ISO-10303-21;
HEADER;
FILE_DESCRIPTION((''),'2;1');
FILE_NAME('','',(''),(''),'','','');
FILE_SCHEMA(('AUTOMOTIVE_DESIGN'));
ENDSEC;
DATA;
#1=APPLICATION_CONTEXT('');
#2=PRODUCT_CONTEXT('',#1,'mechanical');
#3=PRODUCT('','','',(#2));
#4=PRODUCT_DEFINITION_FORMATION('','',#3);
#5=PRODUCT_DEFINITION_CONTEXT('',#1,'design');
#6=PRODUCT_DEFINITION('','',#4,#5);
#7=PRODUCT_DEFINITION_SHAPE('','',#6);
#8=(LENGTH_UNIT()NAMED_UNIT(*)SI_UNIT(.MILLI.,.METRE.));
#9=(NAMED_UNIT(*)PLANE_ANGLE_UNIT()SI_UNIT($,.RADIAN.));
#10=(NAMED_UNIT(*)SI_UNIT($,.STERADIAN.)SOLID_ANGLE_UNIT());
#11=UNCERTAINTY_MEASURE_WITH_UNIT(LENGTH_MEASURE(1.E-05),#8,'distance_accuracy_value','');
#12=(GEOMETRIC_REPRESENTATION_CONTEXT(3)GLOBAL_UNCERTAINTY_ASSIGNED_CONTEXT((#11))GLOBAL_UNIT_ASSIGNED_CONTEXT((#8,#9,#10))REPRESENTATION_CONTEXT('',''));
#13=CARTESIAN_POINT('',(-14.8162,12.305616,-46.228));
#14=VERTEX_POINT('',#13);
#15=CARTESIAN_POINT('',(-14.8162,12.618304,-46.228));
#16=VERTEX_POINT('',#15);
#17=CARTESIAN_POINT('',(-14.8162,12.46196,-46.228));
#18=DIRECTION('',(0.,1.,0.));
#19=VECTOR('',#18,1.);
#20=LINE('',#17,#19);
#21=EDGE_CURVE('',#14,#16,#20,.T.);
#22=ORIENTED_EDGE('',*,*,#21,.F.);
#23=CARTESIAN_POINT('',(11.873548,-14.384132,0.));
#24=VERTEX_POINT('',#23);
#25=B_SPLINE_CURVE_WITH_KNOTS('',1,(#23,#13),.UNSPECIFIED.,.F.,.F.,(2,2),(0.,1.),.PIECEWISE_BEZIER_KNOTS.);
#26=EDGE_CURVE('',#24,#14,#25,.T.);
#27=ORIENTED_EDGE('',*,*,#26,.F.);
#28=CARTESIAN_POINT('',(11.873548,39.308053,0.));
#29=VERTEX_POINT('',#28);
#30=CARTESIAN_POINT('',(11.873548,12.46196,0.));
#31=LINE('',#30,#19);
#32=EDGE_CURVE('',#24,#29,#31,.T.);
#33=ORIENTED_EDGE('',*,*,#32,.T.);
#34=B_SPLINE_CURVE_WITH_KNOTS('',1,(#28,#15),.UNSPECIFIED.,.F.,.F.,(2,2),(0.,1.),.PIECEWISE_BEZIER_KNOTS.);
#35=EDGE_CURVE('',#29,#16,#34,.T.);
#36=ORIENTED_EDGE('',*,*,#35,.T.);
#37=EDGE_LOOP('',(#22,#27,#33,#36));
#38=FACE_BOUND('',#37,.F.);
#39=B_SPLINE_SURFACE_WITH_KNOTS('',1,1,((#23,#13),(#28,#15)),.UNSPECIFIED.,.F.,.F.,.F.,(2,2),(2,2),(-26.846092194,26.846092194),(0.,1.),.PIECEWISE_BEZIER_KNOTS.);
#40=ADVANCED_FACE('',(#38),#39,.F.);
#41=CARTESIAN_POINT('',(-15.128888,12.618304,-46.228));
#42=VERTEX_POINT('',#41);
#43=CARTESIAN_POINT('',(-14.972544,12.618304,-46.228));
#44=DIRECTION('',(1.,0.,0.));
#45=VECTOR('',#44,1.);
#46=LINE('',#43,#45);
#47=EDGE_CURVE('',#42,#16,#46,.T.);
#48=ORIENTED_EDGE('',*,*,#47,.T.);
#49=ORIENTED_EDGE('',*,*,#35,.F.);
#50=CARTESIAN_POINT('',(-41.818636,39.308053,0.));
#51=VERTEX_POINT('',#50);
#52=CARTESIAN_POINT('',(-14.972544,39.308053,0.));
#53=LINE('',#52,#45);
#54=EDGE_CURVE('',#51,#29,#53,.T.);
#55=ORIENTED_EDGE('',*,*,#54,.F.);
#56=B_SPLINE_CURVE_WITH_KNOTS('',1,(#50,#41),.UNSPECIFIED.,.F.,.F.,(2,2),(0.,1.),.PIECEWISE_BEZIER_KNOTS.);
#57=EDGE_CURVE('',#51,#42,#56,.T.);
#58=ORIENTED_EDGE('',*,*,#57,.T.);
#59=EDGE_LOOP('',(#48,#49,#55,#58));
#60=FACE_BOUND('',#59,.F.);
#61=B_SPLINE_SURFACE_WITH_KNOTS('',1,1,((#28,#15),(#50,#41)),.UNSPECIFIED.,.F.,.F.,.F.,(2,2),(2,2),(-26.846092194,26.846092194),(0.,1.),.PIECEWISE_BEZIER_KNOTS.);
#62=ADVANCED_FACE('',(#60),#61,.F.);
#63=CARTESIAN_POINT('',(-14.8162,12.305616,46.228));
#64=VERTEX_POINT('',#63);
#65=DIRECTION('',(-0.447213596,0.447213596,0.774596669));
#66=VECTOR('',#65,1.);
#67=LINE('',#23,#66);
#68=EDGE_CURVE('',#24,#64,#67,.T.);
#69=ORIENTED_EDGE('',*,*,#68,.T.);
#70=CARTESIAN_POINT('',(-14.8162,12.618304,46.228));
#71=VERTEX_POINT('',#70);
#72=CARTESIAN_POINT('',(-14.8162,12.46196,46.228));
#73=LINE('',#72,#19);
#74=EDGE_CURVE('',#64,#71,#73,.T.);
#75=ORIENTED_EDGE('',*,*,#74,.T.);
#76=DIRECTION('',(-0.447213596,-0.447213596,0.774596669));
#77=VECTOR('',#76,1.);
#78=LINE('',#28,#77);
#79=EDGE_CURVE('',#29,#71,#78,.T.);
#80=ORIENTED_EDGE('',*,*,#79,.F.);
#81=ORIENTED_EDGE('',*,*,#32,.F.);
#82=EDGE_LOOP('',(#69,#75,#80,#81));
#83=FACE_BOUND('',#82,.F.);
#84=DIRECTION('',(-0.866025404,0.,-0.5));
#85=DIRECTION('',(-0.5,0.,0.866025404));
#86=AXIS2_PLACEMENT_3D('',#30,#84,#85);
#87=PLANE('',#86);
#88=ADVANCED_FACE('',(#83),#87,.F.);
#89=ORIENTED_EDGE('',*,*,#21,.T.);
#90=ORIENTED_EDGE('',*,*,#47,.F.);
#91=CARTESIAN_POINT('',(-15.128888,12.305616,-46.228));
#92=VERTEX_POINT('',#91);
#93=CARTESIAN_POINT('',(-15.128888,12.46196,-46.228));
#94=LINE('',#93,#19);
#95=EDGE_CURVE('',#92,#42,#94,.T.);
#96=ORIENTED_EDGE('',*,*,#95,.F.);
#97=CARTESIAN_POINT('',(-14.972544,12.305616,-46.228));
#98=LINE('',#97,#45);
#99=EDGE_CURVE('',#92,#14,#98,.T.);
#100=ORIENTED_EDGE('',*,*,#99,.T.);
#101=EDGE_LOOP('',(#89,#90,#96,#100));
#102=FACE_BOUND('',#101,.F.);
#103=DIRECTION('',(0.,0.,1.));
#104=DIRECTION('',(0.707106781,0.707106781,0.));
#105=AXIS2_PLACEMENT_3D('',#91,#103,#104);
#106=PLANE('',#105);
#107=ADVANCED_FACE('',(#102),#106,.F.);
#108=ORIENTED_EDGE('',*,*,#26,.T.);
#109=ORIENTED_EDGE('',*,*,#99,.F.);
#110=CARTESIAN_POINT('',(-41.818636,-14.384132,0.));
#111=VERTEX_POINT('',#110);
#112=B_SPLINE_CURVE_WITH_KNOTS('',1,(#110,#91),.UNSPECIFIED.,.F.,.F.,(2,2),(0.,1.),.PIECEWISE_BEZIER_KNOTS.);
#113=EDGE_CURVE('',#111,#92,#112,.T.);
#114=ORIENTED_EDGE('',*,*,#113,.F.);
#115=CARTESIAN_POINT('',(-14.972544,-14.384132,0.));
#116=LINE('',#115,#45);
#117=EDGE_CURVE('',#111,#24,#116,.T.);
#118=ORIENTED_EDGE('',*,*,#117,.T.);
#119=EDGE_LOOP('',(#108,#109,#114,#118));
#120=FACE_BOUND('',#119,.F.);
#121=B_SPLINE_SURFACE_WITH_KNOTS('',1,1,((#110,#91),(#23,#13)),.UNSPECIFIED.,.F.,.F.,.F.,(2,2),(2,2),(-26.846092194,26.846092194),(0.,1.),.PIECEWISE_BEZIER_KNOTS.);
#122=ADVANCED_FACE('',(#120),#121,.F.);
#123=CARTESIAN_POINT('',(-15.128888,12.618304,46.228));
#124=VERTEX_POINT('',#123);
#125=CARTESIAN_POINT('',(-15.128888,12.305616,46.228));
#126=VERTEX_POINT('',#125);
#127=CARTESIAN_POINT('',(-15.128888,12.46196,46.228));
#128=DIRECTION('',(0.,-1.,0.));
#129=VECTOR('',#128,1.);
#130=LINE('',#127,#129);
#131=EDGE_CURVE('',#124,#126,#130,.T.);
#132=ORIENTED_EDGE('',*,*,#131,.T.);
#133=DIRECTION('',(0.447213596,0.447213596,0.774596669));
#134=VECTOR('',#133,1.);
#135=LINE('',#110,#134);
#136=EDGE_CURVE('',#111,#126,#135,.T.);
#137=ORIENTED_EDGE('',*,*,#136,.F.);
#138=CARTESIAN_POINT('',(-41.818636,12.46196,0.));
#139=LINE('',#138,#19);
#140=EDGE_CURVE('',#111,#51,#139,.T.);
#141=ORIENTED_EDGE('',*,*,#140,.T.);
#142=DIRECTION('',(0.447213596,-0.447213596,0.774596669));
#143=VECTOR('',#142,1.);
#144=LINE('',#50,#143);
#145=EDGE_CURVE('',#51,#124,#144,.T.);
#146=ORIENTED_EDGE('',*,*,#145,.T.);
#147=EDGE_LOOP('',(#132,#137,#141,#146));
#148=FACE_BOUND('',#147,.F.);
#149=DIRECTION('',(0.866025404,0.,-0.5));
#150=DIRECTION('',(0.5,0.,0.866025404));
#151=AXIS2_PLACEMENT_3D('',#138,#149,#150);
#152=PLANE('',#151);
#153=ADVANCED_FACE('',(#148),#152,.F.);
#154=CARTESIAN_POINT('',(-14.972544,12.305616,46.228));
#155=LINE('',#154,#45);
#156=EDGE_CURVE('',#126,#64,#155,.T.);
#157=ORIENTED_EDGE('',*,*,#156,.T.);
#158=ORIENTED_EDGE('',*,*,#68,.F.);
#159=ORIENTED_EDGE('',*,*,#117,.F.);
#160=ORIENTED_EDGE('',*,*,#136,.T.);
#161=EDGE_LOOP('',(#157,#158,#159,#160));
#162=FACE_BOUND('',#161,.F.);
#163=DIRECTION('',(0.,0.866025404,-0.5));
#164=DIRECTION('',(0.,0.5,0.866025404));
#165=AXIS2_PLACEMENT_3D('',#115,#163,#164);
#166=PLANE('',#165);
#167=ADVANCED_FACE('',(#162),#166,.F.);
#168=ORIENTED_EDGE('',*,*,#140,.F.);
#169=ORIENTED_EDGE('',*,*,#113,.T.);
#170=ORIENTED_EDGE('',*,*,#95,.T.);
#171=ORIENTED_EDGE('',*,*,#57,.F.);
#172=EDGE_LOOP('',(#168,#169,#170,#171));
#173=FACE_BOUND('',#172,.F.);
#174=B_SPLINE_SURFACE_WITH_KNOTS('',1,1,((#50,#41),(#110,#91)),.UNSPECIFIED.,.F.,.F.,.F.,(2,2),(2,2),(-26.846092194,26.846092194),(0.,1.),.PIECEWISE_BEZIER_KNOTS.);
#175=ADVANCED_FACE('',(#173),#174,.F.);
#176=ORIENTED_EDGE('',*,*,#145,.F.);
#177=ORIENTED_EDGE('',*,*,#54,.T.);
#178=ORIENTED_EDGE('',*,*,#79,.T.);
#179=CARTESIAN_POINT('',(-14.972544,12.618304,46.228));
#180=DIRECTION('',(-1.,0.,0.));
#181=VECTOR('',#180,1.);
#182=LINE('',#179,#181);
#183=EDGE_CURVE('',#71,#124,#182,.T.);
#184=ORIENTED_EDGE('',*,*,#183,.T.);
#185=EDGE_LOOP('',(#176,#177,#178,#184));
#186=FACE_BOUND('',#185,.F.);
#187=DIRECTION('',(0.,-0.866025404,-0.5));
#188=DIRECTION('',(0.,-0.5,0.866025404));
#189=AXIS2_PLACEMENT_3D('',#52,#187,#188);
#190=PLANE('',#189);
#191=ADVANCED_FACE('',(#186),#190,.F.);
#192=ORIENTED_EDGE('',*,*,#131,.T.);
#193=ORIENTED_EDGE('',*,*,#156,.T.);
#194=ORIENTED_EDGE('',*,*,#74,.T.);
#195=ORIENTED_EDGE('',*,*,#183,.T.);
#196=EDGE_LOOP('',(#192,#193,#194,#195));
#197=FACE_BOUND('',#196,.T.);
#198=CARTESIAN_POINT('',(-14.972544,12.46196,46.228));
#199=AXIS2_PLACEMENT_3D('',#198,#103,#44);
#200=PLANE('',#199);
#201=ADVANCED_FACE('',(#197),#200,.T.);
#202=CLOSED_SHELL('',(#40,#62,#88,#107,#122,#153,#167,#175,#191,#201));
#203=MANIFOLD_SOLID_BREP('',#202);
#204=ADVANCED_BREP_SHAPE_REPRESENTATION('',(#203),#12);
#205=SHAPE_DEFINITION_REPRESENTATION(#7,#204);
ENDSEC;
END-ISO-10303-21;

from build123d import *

# Parameters (mm, degrees)
F0_W          = 53.6921843886
F0_H          = 53.6921843886
F1_DEPTH      = 46.228
F1_TAPER      = 30
F1_DEPTH_BACK = 46.228
F1_TAPER_BACK = 30


with BuildPart() as f1:
    # F0 (on Top) → F1 (new body, two sides)
    with BuildSketch(Plane.XY) as f1_sk:
        with Locations((-14.9725442752, 12.4619603157)):
            Rectangle(F0_W, F0_H)
    extrude(amount=F1_DEPTH, taper=F1_TAPER)
    extrude(f1_sk.sketch, amount=-F1_DEPTH_BACK, taper=F1_TAPER_BACK)


solid = f1.part
